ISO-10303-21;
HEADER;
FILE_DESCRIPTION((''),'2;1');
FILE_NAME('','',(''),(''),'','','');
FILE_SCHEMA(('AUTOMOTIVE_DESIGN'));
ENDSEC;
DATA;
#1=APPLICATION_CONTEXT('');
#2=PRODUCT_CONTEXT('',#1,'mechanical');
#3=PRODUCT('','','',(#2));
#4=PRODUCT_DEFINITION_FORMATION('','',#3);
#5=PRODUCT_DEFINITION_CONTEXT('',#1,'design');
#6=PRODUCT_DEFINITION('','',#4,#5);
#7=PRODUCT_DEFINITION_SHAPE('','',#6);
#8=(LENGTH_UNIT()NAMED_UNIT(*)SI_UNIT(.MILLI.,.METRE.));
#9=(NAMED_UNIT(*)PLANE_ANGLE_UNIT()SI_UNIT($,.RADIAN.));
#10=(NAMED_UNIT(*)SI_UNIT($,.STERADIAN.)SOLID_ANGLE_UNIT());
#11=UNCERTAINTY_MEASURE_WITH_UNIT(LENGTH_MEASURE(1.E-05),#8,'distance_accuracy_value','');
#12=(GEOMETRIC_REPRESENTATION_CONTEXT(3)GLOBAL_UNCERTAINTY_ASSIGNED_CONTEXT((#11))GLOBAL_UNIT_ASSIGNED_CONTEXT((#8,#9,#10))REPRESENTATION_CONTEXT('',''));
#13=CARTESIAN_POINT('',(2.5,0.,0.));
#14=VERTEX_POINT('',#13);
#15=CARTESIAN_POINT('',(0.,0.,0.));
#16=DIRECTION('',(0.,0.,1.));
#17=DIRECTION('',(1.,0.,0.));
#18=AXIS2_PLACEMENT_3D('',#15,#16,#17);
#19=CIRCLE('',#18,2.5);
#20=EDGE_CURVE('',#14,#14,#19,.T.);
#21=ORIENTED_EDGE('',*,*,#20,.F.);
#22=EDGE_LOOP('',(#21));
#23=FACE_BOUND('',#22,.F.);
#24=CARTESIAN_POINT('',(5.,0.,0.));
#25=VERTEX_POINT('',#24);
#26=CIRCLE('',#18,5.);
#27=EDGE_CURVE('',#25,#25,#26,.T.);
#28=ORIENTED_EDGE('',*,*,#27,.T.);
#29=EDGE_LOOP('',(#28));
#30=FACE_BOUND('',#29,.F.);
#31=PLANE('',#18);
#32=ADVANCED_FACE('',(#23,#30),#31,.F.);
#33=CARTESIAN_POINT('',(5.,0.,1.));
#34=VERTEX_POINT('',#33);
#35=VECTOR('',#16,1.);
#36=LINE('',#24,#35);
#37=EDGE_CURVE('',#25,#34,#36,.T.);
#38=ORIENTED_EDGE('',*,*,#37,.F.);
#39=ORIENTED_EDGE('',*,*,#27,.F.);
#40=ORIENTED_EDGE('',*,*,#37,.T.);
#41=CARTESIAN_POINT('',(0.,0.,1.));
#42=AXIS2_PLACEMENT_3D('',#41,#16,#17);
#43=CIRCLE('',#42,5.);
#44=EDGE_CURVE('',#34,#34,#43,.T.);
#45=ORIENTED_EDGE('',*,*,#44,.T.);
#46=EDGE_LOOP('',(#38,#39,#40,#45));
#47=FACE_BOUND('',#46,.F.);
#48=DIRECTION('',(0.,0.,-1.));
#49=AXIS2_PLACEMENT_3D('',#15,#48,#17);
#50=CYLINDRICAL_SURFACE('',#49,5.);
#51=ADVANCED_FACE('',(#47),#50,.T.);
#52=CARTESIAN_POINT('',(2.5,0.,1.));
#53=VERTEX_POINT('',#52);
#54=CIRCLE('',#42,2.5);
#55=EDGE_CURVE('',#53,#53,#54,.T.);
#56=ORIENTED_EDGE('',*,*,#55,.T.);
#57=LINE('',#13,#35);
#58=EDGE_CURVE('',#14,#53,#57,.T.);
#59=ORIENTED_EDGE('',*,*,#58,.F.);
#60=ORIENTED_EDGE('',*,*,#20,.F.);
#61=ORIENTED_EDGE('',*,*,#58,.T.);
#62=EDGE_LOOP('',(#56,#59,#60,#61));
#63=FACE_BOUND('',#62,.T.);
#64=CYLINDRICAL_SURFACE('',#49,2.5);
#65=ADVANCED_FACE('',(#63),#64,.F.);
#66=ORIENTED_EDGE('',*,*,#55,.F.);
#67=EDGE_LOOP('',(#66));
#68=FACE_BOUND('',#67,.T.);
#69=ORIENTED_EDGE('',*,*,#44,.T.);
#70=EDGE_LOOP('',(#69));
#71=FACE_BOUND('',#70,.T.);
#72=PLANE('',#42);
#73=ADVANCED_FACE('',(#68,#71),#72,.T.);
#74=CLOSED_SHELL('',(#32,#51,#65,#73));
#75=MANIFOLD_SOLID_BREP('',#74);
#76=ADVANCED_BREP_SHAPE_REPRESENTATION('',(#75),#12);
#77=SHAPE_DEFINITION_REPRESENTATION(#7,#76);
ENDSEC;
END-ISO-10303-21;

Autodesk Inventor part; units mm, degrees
ref_plane "YZ Plane" through (0, 0, 0) normal (1, 0, 0) x (0, 1, 0)
ref_plane "XZ Plane" through (0, 0, 0) normal (0, 1, 0) x (-1, 0, 0)
ref_plane "XY Plane" through (0, 0, 0) normal (0, 0, 1) x (1, 0, 0)
sketch "Sketch1" plane through (0, 0, 0) normal (0, 0, 1) x (1, 0, 0)
  circle A0 centre (0, 0) radius 2.5
  circle A1 centre (0, 0) radius 5
  dimension "d0" = 5
  dimension "d1" = 10
extrude "Extrusion1" add sketch "Sketch1" along normal blind 1
properties part number "PS20016" material "Nylon 6/6"
